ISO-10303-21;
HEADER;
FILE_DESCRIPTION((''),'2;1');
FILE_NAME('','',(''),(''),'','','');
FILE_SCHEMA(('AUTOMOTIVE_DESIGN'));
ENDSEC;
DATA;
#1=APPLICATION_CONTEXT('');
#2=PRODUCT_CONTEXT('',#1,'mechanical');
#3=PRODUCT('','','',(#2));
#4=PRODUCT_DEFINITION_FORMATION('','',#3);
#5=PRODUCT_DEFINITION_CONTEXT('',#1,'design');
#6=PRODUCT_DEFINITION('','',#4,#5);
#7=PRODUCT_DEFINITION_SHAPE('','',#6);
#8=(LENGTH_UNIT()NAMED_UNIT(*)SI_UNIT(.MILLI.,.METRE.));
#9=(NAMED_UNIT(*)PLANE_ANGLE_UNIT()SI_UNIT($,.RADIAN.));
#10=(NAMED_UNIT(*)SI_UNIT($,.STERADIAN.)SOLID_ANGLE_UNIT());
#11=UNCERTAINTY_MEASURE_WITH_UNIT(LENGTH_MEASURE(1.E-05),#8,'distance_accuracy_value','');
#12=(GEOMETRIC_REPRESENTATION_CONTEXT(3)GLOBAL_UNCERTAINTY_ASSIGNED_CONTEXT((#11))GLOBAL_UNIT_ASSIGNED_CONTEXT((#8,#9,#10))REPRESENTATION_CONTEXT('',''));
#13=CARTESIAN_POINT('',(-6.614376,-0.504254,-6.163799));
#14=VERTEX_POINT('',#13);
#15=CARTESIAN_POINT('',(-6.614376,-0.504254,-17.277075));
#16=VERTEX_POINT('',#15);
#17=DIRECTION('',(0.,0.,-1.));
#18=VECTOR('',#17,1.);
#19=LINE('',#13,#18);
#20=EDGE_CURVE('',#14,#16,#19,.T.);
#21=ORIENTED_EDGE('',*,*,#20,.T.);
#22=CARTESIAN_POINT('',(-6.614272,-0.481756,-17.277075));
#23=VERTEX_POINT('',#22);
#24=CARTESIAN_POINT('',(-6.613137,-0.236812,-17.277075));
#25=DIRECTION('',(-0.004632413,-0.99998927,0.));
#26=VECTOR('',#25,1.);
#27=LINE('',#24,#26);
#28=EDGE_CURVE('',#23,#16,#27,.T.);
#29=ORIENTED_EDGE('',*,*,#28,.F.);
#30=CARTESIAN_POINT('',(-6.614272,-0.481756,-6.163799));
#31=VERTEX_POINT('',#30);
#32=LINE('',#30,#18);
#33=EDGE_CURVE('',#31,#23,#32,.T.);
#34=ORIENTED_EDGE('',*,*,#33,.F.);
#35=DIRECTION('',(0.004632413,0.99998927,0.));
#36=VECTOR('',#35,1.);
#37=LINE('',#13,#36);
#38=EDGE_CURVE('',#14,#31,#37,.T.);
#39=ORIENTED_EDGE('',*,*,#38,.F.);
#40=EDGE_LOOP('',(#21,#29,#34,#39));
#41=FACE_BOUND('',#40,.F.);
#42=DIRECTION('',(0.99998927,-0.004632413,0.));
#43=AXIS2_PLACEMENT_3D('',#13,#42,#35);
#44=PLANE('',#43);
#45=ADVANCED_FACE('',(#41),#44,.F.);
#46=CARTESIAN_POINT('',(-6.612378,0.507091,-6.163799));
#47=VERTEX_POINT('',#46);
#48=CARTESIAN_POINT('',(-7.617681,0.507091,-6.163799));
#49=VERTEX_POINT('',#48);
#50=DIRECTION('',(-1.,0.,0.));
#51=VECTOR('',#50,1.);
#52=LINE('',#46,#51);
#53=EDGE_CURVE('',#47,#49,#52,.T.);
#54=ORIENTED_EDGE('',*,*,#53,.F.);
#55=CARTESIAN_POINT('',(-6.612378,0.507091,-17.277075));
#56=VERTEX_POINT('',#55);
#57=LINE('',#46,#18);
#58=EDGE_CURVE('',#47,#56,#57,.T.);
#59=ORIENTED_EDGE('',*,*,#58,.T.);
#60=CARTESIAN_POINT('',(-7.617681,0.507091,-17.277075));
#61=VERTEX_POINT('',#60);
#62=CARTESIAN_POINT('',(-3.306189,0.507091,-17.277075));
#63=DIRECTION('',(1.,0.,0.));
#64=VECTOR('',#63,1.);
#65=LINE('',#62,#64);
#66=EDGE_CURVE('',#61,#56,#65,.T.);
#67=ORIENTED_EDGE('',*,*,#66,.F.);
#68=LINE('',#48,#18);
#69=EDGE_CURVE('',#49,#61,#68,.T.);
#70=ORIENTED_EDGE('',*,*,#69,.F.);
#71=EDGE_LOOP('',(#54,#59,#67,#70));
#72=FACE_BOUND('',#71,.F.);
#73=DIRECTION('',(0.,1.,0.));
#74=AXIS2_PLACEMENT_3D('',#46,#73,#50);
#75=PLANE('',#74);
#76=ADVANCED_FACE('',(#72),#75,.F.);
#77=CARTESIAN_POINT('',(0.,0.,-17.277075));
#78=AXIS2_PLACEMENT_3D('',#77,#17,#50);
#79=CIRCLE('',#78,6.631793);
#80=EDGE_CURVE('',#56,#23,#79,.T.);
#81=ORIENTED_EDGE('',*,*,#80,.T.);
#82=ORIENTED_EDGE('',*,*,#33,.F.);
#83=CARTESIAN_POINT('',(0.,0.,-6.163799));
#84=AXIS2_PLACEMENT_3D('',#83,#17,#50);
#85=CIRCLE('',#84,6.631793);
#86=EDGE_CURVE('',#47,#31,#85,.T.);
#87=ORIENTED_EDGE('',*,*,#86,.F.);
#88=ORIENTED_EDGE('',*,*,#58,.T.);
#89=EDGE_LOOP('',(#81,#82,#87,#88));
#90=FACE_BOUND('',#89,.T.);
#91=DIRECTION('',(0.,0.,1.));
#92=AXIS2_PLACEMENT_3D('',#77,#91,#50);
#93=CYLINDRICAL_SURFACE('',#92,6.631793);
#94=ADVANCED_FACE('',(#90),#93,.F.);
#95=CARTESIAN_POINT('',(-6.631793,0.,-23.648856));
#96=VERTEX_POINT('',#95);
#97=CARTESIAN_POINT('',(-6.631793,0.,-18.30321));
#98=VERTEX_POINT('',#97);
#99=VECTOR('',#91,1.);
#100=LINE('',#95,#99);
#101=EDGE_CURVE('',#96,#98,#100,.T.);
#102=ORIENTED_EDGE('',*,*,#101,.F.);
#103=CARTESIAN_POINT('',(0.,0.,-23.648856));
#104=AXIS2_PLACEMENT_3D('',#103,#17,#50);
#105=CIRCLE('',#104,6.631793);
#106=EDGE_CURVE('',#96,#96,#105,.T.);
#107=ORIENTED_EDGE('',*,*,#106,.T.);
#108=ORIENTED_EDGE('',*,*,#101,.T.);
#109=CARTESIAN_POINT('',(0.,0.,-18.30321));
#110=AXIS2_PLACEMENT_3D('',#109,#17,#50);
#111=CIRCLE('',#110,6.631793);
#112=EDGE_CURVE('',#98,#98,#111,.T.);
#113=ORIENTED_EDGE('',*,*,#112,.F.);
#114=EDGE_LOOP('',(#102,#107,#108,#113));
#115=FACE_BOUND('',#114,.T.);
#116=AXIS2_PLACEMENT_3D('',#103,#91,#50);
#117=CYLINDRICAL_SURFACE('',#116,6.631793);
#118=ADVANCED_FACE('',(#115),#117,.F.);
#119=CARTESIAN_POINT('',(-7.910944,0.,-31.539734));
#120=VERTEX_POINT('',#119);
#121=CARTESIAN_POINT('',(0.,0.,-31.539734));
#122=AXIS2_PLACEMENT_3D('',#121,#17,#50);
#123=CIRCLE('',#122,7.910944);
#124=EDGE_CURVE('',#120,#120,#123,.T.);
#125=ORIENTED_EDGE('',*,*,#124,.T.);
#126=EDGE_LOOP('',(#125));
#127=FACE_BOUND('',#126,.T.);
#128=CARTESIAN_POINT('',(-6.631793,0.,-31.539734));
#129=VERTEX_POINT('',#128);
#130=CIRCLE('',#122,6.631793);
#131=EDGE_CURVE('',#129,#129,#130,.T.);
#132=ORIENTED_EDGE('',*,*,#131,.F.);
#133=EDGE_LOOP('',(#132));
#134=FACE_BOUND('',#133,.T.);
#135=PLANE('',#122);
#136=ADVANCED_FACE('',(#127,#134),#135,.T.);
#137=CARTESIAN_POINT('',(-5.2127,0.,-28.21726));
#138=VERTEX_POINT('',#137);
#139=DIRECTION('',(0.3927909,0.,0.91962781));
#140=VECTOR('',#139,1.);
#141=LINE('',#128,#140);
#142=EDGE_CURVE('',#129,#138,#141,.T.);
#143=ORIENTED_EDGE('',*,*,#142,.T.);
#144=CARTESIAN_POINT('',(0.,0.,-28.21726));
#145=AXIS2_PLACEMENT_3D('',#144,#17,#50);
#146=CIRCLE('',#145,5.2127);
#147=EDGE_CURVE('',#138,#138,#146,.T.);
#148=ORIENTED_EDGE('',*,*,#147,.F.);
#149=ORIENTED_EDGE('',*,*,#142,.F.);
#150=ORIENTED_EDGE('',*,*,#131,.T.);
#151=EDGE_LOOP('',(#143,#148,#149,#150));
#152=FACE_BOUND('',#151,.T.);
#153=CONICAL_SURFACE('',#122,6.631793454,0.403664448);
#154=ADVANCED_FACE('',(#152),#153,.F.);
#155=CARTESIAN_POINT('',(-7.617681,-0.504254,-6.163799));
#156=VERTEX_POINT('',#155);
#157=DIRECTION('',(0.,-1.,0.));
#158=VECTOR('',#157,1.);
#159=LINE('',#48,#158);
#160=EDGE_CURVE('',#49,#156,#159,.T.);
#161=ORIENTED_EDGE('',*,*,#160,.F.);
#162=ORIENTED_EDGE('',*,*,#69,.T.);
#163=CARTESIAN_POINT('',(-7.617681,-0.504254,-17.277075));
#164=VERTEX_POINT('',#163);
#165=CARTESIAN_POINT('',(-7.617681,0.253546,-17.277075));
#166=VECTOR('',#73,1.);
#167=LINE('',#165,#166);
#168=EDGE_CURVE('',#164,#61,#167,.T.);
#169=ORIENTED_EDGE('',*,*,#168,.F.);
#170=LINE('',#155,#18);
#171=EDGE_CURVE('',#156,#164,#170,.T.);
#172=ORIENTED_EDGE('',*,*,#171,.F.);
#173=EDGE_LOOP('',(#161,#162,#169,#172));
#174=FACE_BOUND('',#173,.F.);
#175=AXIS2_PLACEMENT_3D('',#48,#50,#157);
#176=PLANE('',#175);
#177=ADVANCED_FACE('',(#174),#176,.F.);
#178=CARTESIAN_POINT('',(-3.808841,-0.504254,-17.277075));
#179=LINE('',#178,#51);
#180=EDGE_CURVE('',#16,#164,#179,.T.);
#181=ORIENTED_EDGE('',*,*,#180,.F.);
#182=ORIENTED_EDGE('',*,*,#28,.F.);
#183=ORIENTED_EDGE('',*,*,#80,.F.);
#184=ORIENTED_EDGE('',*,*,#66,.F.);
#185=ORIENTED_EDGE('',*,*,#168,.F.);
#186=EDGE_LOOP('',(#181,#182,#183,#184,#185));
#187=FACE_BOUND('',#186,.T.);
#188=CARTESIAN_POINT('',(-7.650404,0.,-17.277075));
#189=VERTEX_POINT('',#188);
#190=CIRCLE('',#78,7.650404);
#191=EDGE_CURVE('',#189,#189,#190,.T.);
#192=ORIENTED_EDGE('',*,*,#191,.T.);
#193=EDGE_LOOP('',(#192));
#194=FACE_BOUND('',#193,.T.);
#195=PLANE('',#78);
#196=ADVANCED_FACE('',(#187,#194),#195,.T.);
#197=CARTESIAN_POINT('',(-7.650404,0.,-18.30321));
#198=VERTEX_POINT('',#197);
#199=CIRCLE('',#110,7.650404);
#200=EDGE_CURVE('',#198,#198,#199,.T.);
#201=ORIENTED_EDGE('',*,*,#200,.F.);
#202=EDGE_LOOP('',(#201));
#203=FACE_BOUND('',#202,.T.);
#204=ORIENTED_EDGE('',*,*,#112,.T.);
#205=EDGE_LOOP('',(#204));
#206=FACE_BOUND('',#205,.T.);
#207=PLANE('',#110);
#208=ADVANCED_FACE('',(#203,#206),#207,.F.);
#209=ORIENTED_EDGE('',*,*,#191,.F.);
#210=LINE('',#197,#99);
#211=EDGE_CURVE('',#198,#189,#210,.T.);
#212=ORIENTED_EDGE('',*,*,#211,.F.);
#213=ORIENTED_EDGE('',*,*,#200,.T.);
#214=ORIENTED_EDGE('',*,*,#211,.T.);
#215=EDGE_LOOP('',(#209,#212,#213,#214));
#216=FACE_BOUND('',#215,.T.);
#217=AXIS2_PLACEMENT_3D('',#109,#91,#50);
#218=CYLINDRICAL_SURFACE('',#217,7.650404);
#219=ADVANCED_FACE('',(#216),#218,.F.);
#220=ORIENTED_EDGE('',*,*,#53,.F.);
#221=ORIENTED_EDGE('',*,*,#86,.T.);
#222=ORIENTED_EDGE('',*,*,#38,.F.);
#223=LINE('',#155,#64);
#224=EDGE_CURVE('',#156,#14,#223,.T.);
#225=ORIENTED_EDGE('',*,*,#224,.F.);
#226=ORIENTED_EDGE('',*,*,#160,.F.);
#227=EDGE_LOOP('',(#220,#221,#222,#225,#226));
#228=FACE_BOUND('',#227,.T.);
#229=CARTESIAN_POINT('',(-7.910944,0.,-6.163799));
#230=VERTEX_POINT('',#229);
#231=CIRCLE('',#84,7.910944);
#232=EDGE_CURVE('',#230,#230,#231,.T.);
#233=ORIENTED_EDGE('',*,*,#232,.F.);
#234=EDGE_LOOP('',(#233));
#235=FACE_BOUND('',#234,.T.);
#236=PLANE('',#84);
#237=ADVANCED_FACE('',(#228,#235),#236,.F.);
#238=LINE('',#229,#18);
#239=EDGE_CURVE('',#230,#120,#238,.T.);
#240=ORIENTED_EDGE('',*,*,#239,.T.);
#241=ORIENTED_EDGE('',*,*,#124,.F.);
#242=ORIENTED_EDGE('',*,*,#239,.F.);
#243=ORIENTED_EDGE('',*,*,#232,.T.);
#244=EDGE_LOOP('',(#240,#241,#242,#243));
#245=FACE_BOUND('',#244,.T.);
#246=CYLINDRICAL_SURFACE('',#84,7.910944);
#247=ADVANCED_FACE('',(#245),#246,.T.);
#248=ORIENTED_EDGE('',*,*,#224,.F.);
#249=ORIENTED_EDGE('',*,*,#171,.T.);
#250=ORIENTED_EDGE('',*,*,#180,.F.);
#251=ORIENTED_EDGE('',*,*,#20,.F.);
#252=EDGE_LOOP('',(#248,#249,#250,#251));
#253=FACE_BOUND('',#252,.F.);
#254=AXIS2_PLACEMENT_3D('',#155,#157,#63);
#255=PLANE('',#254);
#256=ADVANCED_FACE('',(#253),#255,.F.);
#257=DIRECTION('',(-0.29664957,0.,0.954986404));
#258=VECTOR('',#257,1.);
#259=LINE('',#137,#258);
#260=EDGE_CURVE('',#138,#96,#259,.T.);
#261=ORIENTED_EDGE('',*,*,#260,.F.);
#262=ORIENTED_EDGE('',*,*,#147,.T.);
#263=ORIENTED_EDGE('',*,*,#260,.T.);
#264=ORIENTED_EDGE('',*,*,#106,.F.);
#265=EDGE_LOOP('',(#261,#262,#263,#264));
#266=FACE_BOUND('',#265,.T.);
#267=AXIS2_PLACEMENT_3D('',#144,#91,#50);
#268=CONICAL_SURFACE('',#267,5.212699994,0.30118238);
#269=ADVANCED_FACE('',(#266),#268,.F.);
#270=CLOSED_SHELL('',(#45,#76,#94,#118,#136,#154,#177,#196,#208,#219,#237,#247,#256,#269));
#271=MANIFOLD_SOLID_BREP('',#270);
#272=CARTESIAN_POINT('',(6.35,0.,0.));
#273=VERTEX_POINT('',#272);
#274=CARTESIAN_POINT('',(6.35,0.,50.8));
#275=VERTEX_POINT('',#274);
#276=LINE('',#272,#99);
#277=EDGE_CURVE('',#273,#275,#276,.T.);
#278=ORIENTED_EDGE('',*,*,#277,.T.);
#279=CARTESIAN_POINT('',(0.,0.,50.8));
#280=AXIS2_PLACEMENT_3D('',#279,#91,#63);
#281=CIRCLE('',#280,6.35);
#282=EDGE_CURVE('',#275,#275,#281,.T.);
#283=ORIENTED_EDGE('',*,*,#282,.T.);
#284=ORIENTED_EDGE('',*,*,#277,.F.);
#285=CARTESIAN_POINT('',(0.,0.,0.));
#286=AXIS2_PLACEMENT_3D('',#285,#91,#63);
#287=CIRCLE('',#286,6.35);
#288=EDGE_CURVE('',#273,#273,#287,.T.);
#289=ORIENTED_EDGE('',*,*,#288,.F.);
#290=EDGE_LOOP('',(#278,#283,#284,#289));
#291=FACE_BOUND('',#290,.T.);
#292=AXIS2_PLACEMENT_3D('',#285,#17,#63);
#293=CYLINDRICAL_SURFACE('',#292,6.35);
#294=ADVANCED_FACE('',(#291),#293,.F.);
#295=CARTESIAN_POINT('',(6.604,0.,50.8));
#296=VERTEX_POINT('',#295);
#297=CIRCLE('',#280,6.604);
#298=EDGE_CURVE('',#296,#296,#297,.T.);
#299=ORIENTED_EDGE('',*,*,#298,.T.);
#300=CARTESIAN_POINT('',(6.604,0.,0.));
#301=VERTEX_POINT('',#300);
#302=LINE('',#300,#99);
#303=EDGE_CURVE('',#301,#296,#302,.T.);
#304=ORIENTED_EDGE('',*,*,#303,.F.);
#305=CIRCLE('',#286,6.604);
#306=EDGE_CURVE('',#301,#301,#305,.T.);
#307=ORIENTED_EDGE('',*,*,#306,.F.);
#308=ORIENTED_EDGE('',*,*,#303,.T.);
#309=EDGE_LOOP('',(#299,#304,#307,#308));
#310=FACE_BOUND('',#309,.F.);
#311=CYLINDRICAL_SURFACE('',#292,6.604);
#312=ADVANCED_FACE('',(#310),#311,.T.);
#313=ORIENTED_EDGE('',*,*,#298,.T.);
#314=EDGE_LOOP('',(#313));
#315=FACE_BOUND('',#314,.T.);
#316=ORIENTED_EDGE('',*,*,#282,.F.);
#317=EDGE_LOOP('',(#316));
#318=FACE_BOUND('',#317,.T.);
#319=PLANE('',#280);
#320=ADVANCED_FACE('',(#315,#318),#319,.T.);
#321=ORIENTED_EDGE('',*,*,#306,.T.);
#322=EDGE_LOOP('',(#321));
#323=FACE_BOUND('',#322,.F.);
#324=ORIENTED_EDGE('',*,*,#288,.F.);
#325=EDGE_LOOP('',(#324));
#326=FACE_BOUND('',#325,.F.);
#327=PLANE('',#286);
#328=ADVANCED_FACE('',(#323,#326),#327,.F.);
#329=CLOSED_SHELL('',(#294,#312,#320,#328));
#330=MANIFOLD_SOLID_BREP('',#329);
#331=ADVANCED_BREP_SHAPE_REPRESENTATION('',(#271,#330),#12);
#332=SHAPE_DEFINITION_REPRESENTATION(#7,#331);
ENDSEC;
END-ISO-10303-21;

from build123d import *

# Parameters (mm, degrees)
F2_R      = 6.604
F2_R_2    = 6.35
F6_DEPTH  = 50.8
F10_DEPTH = 12.1158


with BuildPart() as f5:
    # F4 (on Front) → F5 (revolve)
    with BuildSketch(Plane.XZ):
        Polygon((-6.6317934543, -17.2770749778), (-6.6317934543, -6.1637992039), (-7.9109435901, -6.1637992039), (-7.9109435901, -31.539734453), (-6.6317934543, -31.539734453), (-5.2126999944, -28.2172597945), (-6.6317934543, -23.6488562077), (-6.6317934543, -18.3032099158), (-7.6504037715, -18.3032099158), (-7.6504037715, -17.2770749778), align=None)
    revolve(axis=Axis((0, 0, 4.9336738884), (0, 0, -1)))

    # F9 (on face) → F10 (cut)
    with BuildSketch(Plane.XY.offset(-6.1637992039)):
        with BuildLine():
            ThreePointArc((-6.6142721045, -0.4817561087), (-6.6317812883, 0.0127029421), (-6.6123780023, 0.5070912885))
            Line((-6.6123780023, 0.5070912885), (-7.6176812872, 0.5070912885))
            Line((-7.6176812872, 0.5070912885), (-7.6176812872, -0.5042540142))
            Line((-7.6176812872, -0.5042540142), (-6.6143763252, -0.5042540142))
            Line((-6.6143763252, -0.5042540142), (-6.6142721045, -0.4817561087))
        make_face()
    extrude(amount=-F10_DEPTH, mode=Mode.SUBTRACT)


with BuildPart() as f6:
    # F2 (on face) → F6 (new body)
    with BuildSketch(Plane.XY):
        Circle(F2_R)
        Circle(F2_R_2, mode=Mode.SUBTRACT)
    extrude(amount=F6_DEPTH)


solid = Compound([f5.part, f6.part])
